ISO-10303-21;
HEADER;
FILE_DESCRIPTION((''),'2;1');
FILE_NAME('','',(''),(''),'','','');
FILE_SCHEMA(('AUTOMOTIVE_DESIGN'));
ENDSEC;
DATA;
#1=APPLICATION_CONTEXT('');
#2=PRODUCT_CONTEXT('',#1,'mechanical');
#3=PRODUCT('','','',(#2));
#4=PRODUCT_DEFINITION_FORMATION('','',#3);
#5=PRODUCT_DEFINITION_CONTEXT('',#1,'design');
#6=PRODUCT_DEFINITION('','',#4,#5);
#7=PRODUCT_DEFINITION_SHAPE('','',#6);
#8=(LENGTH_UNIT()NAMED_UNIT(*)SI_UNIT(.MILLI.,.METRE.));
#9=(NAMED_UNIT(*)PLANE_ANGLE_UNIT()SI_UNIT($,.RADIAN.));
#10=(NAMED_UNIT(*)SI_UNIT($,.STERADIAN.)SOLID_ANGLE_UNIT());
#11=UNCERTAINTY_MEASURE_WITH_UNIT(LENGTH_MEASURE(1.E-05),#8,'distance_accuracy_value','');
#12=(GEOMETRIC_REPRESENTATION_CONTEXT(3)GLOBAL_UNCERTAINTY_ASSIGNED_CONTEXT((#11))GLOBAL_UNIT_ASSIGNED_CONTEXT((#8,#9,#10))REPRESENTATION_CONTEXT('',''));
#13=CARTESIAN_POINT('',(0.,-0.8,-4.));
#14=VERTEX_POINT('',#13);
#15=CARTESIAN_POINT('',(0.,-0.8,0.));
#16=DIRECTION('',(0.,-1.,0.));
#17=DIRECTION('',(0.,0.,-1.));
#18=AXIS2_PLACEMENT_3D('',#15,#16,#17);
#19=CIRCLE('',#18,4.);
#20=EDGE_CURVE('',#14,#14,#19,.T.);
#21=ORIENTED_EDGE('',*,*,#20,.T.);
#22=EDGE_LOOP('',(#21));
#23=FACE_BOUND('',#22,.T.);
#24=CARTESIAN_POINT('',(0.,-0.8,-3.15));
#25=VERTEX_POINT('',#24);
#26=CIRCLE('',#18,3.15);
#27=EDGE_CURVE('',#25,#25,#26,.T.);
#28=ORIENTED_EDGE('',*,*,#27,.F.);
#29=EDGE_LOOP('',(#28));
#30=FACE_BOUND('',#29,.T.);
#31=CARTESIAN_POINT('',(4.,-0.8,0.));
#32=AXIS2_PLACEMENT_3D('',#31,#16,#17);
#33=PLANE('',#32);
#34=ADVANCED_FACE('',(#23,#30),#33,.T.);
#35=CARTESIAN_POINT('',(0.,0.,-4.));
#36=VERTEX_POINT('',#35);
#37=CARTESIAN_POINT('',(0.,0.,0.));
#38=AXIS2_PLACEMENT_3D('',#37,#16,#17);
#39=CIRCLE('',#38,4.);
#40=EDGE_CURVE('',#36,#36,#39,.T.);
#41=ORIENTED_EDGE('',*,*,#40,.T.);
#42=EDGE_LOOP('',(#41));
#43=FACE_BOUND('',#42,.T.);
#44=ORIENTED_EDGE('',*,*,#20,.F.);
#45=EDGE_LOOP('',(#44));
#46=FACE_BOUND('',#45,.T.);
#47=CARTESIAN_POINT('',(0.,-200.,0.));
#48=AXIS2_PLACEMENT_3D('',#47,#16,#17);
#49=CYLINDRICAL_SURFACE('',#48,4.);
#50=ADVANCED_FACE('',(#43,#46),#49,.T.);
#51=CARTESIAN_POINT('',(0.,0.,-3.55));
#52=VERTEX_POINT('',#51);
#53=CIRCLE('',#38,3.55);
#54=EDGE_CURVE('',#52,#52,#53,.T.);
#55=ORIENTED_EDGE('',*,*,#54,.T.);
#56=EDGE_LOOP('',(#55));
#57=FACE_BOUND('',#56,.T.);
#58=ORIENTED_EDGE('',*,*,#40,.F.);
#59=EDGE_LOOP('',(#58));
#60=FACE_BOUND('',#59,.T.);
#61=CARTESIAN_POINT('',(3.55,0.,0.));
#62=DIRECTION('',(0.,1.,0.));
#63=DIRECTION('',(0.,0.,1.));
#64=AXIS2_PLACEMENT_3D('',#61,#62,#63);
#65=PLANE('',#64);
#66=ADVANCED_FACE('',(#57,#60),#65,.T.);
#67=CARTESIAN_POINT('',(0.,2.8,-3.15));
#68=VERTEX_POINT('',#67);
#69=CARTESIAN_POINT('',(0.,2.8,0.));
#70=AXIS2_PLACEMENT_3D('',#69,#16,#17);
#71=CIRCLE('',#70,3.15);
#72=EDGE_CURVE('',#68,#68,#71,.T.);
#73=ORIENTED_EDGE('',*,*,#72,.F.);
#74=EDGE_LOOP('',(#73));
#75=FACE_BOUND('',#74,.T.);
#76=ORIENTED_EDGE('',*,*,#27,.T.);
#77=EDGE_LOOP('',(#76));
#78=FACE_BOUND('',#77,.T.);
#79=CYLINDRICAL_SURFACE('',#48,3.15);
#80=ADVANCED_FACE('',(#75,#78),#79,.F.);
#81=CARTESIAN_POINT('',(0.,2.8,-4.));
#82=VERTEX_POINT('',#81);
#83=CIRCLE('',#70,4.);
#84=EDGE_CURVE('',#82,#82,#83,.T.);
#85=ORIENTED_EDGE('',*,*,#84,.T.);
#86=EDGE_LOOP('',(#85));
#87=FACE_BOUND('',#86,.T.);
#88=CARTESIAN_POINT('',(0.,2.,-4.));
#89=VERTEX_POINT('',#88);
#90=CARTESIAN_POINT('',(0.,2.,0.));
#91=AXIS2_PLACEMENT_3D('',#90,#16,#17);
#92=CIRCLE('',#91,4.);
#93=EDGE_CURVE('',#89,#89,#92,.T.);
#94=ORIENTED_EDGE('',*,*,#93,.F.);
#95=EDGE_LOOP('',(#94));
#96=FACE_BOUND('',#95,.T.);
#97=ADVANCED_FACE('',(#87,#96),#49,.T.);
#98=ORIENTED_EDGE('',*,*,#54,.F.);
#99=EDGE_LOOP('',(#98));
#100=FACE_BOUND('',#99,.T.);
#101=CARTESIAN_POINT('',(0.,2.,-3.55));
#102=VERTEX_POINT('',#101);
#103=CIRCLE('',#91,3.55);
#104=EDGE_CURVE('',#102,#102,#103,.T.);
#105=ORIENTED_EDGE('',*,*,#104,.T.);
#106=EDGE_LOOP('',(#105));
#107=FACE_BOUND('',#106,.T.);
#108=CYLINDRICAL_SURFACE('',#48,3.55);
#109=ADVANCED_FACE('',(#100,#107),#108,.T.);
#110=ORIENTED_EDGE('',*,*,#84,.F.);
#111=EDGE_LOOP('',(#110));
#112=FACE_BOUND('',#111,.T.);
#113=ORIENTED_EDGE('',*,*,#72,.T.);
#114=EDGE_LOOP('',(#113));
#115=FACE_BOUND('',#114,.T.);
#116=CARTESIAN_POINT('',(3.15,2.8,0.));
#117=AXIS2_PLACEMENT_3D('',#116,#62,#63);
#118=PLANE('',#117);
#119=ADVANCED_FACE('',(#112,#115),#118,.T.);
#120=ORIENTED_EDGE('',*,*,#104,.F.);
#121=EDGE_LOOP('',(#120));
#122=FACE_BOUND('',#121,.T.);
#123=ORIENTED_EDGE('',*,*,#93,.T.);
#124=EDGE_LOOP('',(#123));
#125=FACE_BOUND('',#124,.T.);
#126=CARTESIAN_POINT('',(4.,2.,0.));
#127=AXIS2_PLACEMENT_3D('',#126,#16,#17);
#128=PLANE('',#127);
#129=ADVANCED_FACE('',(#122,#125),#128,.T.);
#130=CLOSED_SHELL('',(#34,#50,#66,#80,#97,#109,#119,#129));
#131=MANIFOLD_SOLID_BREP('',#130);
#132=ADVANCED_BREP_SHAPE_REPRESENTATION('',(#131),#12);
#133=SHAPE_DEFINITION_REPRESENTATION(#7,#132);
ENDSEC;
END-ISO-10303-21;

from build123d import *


with BuildPart() as part:
    # Sketch1 → Revolve1 (revolve)
    with BuildSketch(Plane.XY, mode=Mode.PRIVATE) as revolve1_sk:
        Polygon((3.15, -0.8), (3.15, 2.8), (4, 2.8), (4, 2), (3.55, 2), (3.55, 0), (4, 0), (4, -0.8), align=None)
    revolve(revolve1_sk.sketch.rotate(Axis((0, -200, 0), (0, 1, 0)), 90), axis=Axis((0, -200, 0), (0, 1, 0)))


solid = part.part
